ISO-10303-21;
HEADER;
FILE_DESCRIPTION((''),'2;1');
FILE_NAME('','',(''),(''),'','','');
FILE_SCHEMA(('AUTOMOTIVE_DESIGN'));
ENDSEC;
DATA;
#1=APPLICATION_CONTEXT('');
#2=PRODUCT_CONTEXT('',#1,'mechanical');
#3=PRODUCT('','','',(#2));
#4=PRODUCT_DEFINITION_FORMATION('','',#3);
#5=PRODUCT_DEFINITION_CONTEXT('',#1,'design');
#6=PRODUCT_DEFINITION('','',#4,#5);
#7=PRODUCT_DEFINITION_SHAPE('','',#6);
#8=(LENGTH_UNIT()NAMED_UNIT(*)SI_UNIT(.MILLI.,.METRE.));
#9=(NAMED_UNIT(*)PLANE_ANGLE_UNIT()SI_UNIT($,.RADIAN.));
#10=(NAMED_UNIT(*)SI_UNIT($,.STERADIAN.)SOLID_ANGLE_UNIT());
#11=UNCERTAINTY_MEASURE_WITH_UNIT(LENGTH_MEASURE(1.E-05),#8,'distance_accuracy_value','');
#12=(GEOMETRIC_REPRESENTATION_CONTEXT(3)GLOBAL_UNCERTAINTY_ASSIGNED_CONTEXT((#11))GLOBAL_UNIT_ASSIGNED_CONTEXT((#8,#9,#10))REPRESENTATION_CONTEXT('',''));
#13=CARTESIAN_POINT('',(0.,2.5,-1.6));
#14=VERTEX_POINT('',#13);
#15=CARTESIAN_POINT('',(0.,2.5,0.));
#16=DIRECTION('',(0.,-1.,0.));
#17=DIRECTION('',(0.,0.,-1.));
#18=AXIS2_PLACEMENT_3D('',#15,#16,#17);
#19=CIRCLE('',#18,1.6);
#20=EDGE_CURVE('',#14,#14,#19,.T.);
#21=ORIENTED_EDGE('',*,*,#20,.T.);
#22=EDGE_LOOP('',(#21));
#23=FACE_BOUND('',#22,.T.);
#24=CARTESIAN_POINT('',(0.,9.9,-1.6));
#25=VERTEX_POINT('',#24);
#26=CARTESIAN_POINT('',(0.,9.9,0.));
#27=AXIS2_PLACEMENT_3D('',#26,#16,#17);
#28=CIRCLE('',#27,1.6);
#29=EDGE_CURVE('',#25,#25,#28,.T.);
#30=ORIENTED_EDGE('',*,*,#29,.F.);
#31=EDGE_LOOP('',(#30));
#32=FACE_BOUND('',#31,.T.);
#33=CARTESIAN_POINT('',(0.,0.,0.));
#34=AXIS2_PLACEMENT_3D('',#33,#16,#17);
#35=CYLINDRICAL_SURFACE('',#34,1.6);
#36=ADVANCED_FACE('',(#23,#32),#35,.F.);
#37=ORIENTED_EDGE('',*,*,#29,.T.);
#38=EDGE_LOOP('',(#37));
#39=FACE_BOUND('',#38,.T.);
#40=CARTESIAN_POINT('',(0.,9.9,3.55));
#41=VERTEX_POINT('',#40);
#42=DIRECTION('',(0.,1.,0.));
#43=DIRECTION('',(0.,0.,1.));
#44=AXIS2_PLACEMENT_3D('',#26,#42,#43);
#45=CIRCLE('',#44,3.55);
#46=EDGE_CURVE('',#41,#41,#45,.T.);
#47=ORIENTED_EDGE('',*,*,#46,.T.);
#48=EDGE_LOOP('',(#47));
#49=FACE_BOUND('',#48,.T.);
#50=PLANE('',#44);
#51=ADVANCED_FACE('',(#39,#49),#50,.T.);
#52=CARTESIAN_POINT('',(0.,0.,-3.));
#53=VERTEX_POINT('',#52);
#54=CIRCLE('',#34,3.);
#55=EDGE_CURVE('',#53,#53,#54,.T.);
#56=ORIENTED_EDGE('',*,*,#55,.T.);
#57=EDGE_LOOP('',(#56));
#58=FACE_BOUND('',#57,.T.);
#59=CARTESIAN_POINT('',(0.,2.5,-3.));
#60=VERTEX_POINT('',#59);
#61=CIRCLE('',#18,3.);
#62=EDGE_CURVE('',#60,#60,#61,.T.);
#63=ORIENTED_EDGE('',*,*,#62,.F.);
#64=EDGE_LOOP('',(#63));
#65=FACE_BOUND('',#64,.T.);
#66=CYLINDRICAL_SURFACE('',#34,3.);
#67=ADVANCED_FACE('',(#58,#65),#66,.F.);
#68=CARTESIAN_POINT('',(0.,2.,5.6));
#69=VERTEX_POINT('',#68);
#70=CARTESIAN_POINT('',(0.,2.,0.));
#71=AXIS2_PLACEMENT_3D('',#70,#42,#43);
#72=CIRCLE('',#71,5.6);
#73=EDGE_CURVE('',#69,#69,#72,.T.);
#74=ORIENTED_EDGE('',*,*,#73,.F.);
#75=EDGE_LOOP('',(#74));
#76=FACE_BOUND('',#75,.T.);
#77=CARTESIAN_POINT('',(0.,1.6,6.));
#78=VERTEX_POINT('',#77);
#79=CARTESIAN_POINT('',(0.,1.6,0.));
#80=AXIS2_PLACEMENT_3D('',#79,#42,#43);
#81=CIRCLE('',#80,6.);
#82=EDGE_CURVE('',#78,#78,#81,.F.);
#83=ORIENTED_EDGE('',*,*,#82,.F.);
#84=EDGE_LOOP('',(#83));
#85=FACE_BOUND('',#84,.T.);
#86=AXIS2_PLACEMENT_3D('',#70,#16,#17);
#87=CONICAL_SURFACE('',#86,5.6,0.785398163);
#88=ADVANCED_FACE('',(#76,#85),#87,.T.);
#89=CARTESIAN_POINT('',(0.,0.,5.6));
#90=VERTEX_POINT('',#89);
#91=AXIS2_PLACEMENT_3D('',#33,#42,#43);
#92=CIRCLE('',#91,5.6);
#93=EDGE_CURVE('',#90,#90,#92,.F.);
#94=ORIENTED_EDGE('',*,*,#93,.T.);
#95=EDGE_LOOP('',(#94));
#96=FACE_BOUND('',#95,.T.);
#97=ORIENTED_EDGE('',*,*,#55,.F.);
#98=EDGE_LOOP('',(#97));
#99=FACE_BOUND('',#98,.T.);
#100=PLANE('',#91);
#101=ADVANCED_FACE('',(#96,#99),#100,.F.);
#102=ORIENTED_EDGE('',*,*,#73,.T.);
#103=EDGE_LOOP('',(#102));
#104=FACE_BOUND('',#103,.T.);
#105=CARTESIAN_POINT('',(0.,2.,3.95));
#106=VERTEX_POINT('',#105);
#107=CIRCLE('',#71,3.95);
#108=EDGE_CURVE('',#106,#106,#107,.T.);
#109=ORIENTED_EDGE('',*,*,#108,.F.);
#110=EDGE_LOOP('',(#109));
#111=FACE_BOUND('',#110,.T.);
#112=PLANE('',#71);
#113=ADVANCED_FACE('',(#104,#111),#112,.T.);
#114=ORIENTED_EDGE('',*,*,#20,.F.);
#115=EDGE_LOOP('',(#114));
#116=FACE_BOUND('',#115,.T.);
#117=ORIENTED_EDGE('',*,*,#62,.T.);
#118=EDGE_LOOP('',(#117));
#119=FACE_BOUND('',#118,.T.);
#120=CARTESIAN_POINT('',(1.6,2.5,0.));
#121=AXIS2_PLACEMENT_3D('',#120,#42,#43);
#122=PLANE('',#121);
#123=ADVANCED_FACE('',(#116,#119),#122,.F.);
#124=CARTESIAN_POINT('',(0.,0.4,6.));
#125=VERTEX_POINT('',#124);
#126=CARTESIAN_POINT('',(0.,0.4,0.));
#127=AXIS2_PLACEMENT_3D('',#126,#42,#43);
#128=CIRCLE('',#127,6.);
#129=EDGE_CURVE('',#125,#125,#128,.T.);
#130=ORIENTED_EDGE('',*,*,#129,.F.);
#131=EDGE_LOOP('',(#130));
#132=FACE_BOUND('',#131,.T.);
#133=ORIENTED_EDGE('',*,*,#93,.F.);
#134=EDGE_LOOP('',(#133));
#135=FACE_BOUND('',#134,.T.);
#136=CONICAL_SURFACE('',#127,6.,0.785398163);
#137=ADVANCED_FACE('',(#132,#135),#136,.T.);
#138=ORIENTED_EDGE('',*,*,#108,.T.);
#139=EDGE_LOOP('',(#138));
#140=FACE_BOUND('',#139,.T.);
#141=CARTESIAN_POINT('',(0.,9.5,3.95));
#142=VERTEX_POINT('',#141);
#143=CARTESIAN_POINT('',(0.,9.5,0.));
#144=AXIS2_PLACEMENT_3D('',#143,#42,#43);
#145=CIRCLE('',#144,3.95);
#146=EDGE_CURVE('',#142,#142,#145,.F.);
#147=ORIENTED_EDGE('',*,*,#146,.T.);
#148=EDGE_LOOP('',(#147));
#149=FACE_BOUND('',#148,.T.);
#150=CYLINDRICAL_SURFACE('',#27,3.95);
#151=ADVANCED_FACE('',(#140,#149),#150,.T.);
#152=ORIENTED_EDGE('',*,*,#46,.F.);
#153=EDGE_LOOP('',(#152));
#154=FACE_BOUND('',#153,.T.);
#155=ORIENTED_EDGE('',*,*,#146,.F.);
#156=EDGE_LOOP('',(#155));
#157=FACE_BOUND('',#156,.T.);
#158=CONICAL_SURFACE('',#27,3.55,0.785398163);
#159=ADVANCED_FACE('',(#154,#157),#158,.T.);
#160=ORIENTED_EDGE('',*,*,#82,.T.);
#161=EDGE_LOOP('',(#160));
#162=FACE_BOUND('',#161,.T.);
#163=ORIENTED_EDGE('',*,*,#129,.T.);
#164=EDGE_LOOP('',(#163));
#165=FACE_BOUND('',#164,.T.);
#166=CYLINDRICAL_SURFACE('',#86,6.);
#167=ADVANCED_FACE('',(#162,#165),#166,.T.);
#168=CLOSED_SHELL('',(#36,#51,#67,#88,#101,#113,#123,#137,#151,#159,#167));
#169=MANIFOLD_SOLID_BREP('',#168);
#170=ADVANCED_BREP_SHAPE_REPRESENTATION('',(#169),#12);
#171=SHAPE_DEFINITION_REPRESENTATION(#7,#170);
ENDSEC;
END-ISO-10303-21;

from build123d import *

# Parameters (mm, degrees)
SKETCH1_R                      = 6
BOSS_EXTRUDE1_DEPTH            = 2
SKETCH2_R                      = 3.95
BOSS_EXTRUDE2_DEPTH            = 7.9
CHAMFER1_SIZE                  = 0.4
CBORE_FOR_M3_SHCS1_D           = 3.2
CBORE_FOR_M3_SHCS1_CBORE_D     = 6
CBORE_FOR_M3_SHCS1_CBORE_DEPTH = 2.5


with BuildPart() as part:
    # Sketch1 → Boss-Extrude1 (new body)
    with BuildSketch(Plane(origin=(0, 0, 0), x_dir=(1, 0, 0), z_dir=(0, 1, 0))):
        Circle(SKETCH1_R)
    extrude(amount=BOSS_EXTRUDE1_DEPTH)

    # Sketch2 → Boss-Extrude2 (add)
    with BuildSketch(Plane(origin=(0, 2, 0), x_dir=(1, 0, 0), z_dir=(0, 1, 0))):
        Circle(SKETCH2_R)
    extrude(amount=BOSS_EXTRUDE2_DEPTH)

    # Chamfer1
    chamfer1_edges = [part.edges().sort_by_distance(p)[0] for p in [
        (-6, 0, 0),
        (-6, 2, 0),
        (-3.95, 9.9, 0),
    ]]
    chamfer(chamfer1_edges, length=CHAMFER1_SIZE)

    # CBORE for M3 SHCS1 (through all)
    with Locations(Plane(origin=(0, 0, 0), x_dir=(-1, 0, 0), z_dir=(0, -1, 0))):
        with Locations((0, 0)):
            CounterBoreHole(CBORE_FOR_M3_SHCS1_D / 2, CBORE_FOR_M3_SHCS1_CBORE_D / 2, CBORE_FOR_M3_SHCS1_CBORE_DEPTH)


solid = part.part
